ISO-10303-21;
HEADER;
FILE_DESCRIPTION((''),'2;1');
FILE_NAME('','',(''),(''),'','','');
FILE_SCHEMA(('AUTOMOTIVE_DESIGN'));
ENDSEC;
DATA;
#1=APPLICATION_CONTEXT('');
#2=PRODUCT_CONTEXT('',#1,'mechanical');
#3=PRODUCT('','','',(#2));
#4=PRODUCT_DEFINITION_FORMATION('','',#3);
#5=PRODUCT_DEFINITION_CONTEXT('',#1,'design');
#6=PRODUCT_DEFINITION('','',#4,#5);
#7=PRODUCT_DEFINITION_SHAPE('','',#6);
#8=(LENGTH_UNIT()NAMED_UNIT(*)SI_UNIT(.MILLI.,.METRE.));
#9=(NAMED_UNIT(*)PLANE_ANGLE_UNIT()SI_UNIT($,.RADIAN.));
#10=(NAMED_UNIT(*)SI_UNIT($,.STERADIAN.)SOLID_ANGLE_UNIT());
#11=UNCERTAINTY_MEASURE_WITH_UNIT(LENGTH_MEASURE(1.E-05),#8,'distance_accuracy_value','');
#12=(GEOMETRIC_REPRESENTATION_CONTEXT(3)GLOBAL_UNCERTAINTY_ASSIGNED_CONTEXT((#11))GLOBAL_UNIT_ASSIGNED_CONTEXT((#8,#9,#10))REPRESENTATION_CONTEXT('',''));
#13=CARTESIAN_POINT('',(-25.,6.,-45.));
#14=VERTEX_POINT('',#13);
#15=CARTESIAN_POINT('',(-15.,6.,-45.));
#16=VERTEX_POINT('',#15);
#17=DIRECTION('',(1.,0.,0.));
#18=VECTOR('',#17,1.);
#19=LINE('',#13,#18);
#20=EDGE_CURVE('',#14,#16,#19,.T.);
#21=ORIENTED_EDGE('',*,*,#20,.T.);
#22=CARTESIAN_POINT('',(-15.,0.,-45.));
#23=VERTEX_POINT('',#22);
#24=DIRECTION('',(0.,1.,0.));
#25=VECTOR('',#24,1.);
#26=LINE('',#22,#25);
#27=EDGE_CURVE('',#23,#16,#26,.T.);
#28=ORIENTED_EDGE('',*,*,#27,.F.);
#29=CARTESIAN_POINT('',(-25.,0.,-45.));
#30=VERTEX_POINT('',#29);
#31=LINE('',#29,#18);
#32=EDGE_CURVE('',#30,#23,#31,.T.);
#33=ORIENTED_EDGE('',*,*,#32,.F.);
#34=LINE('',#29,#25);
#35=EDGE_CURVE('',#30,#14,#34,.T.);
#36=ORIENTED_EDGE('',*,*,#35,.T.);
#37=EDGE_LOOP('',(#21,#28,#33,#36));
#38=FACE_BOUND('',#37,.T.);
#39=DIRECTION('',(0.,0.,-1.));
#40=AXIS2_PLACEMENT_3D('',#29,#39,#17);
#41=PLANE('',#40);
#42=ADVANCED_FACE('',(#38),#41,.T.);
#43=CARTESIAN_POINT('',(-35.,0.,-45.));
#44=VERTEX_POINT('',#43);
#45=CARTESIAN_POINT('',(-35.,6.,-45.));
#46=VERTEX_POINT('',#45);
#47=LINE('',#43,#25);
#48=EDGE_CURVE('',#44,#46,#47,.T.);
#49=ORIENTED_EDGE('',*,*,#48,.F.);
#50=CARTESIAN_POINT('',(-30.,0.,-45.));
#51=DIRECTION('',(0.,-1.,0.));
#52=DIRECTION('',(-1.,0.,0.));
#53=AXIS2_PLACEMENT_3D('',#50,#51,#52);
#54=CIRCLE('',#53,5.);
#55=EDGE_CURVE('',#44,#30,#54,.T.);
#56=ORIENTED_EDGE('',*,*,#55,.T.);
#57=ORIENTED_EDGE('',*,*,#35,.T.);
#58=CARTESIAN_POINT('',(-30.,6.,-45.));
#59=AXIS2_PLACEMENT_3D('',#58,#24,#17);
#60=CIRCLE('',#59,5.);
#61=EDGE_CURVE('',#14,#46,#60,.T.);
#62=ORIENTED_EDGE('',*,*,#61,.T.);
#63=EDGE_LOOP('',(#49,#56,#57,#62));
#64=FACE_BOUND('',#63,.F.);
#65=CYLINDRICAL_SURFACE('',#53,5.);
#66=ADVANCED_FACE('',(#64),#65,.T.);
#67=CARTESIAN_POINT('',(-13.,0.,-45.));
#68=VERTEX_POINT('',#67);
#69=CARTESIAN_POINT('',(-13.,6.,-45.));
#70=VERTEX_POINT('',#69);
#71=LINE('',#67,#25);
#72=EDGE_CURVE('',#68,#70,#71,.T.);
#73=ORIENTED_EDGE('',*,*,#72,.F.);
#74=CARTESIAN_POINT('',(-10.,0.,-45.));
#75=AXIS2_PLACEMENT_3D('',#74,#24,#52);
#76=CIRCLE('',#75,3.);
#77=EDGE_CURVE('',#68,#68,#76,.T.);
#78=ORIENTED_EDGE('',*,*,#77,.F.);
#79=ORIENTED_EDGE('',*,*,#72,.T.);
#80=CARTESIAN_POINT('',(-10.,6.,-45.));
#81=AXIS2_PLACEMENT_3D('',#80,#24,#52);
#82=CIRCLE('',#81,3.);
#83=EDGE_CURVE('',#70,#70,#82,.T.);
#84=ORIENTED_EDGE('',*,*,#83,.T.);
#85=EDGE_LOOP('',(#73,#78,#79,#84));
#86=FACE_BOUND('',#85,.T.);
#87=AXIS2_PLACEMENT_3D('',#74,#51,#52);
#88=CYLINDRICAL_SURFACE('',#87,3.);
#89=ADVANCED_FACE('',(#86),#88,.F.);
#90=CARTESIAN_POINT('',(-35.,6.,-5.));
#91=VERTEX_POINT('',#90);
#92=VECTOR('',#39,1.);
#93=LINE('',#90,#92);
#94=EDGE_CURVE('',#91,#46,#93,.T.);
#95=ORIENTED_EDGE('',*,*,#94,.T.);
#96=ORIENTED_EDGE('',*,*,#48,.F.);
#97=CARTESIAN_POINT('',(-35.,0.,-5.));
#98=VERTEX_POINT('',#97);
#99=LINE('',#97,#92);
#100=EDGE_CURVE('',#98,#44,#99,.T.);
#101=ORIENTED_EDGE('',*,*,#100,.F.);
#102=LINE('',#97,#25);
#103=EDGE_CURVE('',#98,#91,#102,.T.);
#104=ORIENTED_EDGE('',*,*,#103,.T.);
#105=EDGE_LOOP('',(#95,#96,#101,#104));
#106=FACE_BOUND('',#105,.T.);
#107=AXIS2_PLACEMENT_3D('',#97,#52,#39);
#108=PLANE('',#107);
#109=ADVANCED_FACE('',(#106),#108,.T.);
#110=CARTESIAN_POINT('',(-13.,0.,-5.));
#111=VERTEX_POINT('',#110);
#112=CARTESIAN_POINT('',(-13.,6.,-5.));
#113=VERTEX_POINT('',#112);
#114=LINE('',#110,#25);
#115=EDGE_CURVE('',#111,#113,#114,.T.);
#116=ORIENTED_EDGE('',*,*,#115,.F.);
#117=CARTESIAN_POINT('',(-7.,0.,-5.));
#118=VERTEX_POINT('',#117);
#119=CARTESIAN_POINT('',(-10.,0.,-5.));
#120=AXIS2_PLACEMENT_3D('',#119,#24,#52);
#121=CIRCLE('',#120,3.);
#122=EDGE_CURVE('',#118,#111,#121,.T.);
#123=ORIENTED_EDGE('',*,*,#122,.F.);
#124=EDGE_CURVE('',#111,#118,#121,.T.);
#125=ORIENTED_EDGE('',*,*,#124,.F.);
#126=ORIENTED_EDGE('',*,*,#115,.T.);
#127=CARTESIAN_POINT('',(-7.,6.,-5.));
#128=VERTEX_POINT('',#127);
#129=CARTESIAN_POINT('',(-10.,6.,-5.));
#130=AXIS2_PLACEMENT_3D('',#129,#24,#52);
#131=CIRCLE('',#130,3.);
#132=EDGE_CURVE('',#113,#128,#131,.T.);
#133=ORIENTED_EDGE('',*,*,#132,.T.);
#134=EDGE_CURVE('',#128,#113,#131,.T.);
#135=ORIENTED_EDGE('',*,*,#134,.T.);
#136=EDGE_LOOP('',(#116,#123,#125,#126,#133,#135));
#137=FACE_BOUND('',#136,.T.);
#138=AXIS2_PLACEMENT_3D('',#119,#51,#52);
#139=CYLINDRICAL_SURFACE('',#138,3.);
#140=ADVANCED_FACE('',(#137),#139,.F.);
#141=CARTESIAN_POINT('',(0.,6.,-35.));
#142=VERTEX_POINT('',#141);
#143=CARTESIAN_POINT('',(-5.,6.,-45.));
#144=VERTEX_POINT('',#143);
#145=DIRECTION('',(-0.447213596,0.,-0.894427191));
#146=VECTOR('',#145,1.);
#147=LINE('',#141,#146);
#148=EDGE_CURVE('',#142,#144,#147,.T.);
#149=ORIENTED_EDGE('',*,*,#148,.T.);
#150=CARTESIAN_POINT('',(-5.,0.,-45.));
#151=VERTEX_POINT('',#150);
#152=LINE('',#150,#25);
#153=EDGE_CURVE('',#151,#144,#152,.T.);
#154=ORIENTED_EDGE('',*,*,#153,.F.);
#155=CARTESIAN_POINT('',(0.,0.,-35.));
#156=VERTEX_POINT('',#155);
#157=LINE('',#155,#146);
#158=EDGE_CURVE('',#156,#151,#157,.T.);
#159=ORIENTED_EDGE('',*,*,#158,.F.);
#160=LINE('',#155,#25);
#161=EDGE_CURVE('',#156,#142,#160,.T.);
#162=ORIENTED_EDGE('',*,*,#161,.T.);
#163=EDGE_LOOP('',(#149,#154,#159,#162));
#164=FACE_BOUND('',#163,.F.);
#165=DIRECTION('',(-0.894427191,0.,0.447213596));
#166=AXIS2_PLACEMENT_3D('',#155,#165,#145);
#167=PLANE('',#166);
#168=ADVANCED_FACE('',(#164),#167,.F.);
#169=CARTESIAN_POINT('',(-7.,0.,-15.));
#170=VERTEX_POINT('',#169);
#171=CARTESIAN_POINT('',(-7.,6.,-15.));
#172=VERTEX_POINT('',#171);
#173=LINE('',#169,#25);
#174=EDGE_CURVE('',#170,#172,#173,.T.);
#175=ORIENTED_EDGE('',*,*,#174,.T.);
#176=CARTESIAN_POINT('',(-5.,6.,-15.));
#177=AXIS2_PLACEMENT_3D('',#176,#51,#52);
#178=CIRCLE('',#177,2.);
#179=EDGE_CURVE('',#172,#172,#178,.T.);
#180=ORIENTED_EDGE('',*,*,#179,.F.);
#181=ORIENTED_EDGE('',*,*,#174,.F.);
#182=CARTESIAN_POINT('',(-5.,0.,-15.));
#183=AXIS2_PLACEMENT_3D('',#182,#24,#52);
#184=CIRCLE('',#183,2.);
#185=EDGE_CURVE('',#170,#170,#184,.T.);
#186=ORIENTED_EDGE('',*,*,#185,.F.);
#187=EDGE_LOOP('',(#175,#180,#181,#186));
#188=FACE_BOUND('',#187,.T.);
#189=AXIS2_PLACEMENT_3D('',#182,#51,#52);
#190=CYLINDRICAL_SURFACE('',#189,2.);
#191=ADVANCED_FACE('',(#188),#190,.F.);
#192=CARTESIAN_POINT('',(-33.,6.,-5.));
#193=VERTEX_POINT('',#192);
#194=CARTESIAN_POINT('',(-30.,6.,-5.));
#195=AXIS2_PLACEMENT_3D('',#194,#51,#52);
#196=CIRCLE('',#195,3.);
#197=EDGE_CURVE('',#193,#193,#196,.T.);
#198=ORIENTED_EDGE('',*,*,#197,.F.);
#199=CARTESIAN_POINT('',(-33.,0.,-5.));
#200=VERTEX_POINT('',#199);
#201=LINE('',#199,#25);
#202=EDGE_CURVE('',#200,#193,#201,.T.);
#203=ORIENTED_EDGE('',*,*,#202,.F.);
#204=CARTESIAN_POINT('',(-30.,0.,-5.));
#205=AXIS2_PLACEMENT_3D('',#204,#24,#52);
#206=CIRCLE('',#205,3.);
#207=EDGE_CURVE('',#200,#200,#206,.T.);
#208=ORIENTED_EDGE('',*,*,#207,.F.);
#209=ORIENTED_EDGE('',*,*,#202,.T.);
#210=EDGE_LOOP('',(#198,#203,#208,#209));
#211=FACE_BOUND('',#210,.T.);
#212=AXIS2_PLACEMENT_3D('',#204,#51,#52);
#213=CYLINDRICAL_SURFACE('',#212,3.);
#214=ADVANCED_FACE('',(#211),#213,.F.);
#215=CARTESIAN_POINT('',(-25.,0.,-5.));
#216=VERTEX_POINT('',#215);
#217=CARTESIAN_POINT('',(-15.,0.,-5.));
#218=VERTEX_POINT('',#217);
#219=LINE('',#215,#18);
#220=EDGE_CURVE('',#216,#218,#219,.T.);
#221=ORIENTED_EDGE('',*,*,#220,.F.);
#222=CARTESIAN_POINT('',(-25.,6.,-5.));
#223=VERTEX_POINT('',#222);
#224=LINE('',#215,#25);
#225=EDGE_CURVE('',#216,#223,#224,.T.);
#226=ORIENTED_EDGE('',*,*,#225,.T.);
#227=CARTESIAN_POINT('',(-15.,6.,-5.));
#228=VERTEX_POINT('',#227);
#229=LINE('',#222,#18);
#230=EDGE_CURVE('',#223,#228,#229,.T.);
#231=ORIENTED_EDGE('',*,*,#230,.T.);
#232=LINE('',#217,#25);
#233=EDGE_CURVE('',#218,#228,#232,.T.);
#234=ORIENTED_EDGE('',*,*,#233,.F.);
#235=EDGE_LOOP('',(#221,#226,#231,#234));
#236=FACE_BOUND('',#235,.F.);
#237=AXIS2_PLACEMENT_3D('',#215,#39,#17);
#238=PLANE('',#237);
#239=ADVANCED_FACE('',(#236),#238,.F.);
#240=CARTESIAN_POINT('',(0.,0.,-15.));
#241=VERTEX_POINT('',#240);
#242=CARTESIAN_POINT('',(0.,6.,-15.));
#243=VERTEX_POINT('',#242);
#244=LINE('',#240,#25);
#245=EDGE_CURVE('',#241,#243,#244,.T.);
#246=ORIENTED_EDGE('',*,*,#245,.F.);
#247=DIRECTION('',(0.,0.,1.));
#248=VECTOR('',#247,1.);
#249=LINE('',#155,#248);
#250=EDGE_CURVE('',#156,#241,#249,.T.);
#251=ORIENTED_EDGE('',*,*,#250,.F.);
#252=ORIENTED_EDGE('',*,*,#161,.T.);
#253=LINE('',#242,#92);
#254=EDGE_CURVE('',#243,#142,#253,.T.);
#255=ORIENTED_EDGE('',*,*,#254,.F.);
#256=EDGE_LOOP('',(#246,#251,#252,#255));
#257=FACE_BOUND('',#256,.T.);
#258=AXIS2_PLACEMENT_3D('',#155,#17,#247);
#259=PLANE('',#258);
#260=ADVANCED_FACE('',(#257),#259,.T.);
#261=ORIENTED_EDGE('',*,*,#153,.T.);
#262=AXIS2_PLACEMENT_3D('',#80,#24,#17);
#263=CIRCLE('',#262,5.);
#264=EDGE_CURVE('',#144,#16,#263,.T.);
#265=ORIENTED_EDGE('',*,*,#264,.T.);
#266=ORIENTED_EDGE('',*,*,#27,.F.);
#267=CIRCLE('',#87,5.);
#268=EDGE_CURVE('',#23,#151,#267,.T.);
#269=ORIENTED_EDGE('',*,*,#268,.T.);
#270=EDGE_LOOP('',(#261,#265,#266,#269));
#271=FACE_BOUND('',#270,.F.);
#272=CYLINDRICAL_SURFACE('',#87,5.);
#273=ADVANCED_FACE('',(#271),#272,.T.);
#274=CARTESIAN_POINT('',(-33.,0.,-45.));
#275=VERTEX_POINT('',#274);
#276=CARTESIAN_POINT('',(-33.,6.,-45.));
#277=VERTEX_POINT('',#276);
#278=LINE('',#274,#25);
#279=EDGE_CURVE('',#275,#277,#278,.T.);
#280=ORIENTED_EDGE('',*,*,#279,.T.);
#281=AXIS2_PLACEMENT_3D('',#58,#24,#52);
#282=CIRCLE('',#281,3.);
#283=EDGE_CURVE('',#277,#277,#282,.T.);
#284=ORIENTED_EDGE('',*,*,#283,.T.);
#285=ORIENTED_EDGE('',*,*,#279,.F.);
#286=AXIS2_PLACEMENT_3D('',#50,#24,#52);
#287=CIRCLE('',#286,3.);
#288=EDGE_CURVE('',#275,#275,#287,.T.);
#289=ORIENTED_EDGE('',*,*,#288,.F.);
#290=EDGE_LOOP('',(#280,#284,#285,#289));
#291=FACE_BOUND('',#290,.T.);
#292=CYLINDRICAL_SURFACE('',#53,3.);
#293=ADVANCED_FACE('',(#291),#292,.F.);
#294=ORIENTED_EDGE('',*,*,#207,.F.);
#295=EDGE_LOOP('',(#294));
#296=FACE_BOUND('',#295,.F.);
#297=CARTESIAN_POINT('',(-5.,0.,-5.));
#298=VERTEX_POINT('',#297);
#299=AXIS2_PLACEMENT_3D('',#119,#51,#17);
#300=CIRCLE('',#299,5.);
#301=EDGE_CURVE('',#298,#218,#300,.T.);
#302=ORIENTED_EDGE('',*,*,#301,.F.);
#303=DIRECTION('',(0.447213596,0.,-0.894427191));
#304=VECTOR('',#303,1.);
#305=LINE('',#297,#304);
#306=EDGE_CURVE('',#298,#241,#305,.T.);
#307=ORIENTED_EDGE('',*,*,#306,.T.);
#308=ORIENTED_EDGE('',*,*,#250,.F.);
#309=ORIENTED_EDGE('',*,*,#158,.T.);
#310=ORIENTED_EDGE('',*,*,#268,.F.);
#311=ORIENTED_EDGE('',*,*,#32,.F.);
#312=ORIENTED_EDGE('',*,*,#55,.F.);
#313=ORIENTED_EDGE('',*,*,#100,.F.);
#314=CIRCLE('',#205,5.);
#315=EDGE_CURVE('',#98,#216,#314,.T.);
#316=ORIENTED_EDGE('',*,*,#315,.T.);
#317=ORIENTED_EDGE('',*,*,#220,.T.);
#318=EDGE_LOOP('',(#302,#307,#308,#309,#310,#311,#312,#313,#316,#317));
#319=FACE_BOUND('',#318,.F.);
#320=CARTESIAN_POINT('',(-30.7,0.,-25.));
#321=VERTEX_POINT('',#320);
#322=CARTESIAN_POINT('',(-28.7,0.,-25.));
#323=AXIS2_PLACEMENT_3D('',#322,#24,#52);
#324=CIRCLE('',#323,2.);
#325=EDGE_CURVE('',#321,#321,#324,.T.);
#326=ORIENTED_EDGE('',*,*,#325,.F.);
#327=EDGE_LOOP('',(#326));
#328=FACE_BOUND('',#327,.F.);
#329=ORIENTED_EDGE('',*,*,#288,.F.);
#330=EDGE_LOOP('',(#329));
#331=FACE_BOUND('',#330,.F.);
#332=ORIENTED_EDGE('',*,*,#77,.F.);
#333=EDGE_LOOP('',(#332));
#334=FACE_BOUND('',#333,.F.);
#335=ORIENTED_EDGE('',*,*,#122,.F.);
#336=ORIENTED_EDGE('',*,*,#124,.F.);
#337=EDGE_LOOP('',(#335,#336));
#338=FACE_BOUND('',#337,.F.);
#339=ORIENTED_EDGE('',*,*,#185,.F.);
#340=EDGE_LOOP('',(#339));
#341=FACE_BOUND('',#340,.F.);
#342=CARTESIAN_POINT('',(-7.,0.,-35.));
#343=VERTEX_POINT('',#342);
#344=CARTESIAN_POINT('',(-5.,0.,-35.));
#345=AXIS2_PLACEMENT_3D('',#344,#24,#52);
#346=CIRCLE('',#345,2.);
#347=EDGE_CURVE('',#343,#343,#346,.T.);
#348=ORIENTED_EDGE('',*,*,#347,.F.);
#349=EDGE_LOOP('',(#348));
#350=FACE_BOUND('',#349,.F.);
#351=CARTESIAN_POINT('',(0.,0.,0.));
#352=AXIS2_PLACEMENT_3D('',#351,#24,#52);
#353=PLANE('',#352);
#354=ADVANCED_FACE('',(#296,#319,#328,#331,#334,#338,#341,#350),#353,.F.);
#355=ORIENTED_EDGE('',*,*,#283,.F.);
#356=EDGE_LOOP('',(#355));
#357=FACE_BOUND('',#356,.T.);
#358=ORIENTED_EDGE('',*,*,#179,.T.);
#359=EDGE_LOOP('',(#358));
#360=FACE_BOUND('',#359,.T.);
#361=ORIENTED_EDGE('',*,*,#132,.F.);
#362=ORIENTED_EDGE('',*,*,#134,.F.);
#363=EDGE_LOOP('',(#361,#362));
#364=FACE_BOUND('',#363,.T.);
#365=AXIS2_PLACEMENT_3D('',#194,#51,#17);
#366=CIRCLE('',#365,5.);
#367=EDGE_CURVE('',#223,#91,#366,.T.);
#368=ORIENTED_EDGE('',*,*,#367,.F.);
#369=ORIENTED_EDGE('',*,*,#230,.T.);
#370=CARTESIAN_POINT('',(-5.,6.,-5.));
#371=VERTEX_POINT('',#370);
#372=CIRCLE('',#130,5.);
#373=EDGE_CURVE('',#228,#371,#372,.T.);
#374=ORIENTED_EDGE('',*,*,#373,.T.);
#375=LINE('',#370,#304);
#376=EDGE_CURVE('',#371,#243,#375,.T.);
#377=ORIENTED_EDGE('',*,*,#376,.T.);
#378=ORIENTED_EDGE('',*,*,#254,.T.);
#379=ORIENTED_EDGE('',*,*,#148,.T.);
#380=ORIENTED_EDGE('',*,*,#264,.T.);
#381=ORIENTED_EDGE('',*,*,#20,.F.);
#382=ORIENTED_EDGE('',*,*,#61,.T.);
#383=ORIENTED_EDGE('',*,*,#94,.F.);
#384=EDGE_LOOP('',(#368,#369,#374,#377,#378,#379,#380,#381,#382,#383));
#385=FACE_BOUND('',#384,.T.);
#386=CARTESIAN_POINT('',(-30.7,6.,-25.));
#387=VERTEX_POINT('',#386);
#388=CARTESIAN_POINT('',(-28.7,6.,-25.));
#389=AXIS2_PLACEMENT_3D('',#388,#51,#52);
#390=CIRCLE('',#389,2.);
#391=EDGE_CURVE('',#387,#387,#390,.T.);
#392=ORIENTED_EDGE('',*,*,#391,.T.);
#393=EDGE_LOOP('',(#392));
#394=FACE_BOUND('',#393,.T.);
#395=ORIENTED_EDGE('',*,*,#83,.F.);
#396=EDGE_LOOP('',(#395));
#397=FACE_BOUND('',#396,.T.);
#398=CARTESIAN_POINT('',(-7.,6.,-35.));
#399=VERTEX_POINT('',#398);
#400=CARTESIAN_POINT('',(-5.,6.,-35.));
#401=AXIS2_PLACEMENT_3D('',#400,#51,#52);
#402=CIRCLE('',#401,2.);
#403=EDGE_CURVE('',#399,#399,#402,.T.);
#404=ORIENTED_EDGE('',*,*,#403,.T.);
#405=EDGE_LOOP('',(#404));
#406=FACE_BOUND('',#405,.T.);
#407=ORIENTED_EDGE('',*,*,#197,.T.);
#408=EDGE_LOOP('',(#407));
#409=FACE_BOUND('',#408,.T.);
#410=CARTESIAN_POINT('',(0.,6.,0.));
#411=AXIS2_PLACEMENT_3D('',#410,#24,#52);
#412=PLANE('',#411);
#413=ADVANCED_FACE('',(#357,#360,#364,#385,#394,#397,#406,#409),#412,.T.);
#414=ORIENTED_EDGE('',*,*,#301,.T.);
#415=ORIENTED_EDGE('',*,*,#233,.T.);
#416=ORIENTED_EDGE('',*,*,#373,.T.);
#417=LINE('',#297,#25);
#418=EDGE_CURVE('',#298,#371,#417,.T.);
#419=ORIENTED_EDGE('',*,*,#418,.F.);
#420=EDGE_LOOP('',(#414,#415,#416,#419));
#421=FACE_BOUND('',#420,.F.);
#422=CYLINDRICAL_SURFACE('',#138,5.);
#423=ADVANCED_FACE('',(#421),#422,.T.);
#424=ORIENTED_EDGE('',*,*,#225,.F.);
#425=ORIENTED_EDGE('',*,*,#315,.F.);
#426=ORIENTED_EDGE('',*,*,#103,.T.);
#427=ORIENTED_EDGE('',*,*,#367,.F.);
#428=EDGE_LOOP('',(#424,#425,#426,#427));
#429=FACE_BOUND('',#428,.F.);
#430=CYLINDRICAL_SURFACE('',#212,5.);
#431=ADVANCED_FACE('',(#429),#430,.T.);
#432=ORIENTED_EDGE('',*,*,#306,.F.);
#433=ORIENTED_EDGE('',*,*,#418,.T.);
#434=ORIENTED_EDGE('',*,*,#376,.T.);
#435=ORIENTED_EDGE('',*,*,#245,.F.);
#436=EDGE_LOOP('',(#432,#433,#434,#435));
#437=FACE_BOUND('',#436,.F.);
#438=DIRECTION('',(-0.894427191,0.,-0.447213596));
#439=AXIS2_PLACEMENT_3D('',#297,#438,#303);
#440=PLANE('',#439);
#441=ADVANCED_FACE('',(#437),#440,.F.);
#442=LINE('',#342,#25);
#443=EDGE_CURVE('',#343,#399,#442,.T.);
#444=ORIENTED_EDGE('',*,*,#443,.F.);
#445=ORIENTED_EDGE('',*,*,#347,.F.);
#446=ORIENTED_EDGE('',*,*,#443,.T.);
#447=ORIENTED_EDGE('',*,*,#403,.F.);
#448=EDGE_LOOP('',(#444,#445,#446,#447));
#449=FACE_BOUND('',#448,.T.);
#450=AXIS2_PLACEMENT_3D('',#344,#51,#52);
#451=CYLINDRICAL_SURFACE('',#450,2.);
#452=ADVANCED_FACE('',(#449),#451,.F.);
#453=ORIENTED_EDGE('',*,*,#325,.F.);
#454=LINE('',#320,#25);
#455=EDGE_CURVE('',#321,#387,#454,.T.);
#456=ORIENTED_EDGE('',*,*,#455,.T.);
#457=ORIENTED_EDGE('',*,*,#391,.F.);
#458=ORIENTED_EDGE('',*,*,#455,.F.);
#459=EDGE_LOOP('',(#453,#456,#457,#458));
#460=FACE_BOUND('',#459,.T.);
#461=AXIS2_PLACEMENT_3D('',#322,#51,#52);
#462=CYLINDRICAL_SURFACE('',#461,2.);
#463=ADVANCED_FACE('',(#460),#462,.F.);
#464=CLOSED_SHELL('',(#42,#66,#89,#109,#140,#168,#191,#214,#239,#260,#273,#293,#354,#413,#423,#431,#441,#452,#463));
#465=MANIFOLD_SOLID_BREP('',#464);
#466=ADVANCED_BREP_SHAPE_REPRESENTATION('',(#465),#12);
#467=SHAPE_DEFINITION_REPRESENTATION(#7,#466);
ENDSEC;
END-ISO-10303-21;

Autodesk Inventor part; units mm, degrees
ref_plane "YZ Plane" through (0, 0, 0) normal (1, 0, 0) x (0, 1, 0)
ref_plane "XZ Plane" through (0, 0, 0) normal (0, 1, 0) x (-1, 0, 0)
ref_plane "XY Plane" through (0, 0, 0) normal (0, 0, 1) x (1, 0, 0)
sketch "Sketch1" plane through (0, 0, 0) normal (0, 1, 0) x (-1, 0, 0)
  line L0 (0, 0) -> (40, 0)
  line L1 (40, 0) -> (40, -50)
  line L2 (40, -50) -> (0, -50)
  line L3 (0, -50) -> (0, 0)
  line L4 (0, -25) -> (5, -25)
  line L5 (5, -25) -> (28.7, -25)
  line L6 (5, -25) -> (5, -15)
  line L7 (5, -25) -> (5, -35)
  circle A0 centre (5, -15) radius 2
  circle A1 centre (5, -35) radius 2
  circle A2 centre (28.7, -25) radius 2
  line L8 (40, 0) -> (30, 0)
  line L9 (30, 0) -> (30, -5)
  circle A3 centre (30, -5) radius 3
  circle A4 centre (30, -45) radius 3
  circle A5 centre (10, -5) radius 3
  circle A6 centre (10, -45) radius 3
  circle A7 centre (30, -5) radius 5
  circle A8 centre (10, -5) radius 5
  circle A9 centre (30, -45) radius 5
  circle A10 centre (10, -45) radius 5
  line L10 (0, -15) -> (5, -15)
  line L11 (5, -35) -> (0, -35)
  line L12 (10, -5) -> (5, -5)
  line L13 (5, -5) -> (0, -15)
  line L14 (5, -23) -> (28.7, -23)
  line L15 (28.7, -23) -> (28.7, -27)
  line L16 (28.7, -27) -> (5, -27)
  line L17 (5, -27) -> (5, -23)
  line L18 (5, -23) -> (28.7, -27) construction
  line L19 (28.7, -23) -> (5, -27) construction
  line L20 (25, -5) -> (25, -23)
  line L21 (25, -27) -> (25, -45)
  line L22 (30, -5) -> (35, -5)
  line L23 (35, -5) -> (35, -45)
  line L24 (15, -5) -> (15, -23)
  line L25 (15, -45) -> (15, -27)
  line L26 (0, -35) -> (5, -45)
  line L27 (25, -45) -> (15, -45)
  line L28 (25, -5) -> (15, -5)
  point P0 (10, 0)
  point P1 (30, -40)
  point P2 (10, -40)
  point P3 (16.85, -25)
  point P4 (33, -5)
  point P5 (30, -2)
  dimension "d0" = 40
  dimension "d1" = 50
  dimension "d2" = 5
  dimension "d3" = 23.7
  dimension "d4" = 10
  dimension "d5" = 10
  dimension "d6" = 4
  dimension "d7" = 4
  dimension "d8" = 4
  dimension "d9" = 10
  dimension "d10" = 5
  dimension "d11" = 6
  dimension "d14" = 40
  dimension "d17" = 20
  dimension "d22" = 20
  dimension "d25" = 40
  dimension "d28" = 23.7
  dimension "d29" = 4
  dimension "d30" = 18
  dimension "d31" = 18
  dimension "d32" = 18
  dimension "d33" = 18
  dimension "d34" = 10
extrude "Extrusion1" add sketch "Sketch1" along normal blind 6 contours A7 L22 A3 L9 | L9 A3 L22 A7 | A8 | L23 A9 L21 L16 A2 L14 L20 A7 | L20 L14 L24 L28 | L24 L14 L6 A0 L10 L13 A8 | A9 | L14 A2 L5 L6 | L10 A0 L6 L4 L3 | L27 L25 L16 L21 | A10 | L4 L7 A1 L11 L3 | L16 L7 L5 A2 | A10 L26 L11 A1 L7 L16 L25
properties part number "Camera_Mount_DFK33GP006"
